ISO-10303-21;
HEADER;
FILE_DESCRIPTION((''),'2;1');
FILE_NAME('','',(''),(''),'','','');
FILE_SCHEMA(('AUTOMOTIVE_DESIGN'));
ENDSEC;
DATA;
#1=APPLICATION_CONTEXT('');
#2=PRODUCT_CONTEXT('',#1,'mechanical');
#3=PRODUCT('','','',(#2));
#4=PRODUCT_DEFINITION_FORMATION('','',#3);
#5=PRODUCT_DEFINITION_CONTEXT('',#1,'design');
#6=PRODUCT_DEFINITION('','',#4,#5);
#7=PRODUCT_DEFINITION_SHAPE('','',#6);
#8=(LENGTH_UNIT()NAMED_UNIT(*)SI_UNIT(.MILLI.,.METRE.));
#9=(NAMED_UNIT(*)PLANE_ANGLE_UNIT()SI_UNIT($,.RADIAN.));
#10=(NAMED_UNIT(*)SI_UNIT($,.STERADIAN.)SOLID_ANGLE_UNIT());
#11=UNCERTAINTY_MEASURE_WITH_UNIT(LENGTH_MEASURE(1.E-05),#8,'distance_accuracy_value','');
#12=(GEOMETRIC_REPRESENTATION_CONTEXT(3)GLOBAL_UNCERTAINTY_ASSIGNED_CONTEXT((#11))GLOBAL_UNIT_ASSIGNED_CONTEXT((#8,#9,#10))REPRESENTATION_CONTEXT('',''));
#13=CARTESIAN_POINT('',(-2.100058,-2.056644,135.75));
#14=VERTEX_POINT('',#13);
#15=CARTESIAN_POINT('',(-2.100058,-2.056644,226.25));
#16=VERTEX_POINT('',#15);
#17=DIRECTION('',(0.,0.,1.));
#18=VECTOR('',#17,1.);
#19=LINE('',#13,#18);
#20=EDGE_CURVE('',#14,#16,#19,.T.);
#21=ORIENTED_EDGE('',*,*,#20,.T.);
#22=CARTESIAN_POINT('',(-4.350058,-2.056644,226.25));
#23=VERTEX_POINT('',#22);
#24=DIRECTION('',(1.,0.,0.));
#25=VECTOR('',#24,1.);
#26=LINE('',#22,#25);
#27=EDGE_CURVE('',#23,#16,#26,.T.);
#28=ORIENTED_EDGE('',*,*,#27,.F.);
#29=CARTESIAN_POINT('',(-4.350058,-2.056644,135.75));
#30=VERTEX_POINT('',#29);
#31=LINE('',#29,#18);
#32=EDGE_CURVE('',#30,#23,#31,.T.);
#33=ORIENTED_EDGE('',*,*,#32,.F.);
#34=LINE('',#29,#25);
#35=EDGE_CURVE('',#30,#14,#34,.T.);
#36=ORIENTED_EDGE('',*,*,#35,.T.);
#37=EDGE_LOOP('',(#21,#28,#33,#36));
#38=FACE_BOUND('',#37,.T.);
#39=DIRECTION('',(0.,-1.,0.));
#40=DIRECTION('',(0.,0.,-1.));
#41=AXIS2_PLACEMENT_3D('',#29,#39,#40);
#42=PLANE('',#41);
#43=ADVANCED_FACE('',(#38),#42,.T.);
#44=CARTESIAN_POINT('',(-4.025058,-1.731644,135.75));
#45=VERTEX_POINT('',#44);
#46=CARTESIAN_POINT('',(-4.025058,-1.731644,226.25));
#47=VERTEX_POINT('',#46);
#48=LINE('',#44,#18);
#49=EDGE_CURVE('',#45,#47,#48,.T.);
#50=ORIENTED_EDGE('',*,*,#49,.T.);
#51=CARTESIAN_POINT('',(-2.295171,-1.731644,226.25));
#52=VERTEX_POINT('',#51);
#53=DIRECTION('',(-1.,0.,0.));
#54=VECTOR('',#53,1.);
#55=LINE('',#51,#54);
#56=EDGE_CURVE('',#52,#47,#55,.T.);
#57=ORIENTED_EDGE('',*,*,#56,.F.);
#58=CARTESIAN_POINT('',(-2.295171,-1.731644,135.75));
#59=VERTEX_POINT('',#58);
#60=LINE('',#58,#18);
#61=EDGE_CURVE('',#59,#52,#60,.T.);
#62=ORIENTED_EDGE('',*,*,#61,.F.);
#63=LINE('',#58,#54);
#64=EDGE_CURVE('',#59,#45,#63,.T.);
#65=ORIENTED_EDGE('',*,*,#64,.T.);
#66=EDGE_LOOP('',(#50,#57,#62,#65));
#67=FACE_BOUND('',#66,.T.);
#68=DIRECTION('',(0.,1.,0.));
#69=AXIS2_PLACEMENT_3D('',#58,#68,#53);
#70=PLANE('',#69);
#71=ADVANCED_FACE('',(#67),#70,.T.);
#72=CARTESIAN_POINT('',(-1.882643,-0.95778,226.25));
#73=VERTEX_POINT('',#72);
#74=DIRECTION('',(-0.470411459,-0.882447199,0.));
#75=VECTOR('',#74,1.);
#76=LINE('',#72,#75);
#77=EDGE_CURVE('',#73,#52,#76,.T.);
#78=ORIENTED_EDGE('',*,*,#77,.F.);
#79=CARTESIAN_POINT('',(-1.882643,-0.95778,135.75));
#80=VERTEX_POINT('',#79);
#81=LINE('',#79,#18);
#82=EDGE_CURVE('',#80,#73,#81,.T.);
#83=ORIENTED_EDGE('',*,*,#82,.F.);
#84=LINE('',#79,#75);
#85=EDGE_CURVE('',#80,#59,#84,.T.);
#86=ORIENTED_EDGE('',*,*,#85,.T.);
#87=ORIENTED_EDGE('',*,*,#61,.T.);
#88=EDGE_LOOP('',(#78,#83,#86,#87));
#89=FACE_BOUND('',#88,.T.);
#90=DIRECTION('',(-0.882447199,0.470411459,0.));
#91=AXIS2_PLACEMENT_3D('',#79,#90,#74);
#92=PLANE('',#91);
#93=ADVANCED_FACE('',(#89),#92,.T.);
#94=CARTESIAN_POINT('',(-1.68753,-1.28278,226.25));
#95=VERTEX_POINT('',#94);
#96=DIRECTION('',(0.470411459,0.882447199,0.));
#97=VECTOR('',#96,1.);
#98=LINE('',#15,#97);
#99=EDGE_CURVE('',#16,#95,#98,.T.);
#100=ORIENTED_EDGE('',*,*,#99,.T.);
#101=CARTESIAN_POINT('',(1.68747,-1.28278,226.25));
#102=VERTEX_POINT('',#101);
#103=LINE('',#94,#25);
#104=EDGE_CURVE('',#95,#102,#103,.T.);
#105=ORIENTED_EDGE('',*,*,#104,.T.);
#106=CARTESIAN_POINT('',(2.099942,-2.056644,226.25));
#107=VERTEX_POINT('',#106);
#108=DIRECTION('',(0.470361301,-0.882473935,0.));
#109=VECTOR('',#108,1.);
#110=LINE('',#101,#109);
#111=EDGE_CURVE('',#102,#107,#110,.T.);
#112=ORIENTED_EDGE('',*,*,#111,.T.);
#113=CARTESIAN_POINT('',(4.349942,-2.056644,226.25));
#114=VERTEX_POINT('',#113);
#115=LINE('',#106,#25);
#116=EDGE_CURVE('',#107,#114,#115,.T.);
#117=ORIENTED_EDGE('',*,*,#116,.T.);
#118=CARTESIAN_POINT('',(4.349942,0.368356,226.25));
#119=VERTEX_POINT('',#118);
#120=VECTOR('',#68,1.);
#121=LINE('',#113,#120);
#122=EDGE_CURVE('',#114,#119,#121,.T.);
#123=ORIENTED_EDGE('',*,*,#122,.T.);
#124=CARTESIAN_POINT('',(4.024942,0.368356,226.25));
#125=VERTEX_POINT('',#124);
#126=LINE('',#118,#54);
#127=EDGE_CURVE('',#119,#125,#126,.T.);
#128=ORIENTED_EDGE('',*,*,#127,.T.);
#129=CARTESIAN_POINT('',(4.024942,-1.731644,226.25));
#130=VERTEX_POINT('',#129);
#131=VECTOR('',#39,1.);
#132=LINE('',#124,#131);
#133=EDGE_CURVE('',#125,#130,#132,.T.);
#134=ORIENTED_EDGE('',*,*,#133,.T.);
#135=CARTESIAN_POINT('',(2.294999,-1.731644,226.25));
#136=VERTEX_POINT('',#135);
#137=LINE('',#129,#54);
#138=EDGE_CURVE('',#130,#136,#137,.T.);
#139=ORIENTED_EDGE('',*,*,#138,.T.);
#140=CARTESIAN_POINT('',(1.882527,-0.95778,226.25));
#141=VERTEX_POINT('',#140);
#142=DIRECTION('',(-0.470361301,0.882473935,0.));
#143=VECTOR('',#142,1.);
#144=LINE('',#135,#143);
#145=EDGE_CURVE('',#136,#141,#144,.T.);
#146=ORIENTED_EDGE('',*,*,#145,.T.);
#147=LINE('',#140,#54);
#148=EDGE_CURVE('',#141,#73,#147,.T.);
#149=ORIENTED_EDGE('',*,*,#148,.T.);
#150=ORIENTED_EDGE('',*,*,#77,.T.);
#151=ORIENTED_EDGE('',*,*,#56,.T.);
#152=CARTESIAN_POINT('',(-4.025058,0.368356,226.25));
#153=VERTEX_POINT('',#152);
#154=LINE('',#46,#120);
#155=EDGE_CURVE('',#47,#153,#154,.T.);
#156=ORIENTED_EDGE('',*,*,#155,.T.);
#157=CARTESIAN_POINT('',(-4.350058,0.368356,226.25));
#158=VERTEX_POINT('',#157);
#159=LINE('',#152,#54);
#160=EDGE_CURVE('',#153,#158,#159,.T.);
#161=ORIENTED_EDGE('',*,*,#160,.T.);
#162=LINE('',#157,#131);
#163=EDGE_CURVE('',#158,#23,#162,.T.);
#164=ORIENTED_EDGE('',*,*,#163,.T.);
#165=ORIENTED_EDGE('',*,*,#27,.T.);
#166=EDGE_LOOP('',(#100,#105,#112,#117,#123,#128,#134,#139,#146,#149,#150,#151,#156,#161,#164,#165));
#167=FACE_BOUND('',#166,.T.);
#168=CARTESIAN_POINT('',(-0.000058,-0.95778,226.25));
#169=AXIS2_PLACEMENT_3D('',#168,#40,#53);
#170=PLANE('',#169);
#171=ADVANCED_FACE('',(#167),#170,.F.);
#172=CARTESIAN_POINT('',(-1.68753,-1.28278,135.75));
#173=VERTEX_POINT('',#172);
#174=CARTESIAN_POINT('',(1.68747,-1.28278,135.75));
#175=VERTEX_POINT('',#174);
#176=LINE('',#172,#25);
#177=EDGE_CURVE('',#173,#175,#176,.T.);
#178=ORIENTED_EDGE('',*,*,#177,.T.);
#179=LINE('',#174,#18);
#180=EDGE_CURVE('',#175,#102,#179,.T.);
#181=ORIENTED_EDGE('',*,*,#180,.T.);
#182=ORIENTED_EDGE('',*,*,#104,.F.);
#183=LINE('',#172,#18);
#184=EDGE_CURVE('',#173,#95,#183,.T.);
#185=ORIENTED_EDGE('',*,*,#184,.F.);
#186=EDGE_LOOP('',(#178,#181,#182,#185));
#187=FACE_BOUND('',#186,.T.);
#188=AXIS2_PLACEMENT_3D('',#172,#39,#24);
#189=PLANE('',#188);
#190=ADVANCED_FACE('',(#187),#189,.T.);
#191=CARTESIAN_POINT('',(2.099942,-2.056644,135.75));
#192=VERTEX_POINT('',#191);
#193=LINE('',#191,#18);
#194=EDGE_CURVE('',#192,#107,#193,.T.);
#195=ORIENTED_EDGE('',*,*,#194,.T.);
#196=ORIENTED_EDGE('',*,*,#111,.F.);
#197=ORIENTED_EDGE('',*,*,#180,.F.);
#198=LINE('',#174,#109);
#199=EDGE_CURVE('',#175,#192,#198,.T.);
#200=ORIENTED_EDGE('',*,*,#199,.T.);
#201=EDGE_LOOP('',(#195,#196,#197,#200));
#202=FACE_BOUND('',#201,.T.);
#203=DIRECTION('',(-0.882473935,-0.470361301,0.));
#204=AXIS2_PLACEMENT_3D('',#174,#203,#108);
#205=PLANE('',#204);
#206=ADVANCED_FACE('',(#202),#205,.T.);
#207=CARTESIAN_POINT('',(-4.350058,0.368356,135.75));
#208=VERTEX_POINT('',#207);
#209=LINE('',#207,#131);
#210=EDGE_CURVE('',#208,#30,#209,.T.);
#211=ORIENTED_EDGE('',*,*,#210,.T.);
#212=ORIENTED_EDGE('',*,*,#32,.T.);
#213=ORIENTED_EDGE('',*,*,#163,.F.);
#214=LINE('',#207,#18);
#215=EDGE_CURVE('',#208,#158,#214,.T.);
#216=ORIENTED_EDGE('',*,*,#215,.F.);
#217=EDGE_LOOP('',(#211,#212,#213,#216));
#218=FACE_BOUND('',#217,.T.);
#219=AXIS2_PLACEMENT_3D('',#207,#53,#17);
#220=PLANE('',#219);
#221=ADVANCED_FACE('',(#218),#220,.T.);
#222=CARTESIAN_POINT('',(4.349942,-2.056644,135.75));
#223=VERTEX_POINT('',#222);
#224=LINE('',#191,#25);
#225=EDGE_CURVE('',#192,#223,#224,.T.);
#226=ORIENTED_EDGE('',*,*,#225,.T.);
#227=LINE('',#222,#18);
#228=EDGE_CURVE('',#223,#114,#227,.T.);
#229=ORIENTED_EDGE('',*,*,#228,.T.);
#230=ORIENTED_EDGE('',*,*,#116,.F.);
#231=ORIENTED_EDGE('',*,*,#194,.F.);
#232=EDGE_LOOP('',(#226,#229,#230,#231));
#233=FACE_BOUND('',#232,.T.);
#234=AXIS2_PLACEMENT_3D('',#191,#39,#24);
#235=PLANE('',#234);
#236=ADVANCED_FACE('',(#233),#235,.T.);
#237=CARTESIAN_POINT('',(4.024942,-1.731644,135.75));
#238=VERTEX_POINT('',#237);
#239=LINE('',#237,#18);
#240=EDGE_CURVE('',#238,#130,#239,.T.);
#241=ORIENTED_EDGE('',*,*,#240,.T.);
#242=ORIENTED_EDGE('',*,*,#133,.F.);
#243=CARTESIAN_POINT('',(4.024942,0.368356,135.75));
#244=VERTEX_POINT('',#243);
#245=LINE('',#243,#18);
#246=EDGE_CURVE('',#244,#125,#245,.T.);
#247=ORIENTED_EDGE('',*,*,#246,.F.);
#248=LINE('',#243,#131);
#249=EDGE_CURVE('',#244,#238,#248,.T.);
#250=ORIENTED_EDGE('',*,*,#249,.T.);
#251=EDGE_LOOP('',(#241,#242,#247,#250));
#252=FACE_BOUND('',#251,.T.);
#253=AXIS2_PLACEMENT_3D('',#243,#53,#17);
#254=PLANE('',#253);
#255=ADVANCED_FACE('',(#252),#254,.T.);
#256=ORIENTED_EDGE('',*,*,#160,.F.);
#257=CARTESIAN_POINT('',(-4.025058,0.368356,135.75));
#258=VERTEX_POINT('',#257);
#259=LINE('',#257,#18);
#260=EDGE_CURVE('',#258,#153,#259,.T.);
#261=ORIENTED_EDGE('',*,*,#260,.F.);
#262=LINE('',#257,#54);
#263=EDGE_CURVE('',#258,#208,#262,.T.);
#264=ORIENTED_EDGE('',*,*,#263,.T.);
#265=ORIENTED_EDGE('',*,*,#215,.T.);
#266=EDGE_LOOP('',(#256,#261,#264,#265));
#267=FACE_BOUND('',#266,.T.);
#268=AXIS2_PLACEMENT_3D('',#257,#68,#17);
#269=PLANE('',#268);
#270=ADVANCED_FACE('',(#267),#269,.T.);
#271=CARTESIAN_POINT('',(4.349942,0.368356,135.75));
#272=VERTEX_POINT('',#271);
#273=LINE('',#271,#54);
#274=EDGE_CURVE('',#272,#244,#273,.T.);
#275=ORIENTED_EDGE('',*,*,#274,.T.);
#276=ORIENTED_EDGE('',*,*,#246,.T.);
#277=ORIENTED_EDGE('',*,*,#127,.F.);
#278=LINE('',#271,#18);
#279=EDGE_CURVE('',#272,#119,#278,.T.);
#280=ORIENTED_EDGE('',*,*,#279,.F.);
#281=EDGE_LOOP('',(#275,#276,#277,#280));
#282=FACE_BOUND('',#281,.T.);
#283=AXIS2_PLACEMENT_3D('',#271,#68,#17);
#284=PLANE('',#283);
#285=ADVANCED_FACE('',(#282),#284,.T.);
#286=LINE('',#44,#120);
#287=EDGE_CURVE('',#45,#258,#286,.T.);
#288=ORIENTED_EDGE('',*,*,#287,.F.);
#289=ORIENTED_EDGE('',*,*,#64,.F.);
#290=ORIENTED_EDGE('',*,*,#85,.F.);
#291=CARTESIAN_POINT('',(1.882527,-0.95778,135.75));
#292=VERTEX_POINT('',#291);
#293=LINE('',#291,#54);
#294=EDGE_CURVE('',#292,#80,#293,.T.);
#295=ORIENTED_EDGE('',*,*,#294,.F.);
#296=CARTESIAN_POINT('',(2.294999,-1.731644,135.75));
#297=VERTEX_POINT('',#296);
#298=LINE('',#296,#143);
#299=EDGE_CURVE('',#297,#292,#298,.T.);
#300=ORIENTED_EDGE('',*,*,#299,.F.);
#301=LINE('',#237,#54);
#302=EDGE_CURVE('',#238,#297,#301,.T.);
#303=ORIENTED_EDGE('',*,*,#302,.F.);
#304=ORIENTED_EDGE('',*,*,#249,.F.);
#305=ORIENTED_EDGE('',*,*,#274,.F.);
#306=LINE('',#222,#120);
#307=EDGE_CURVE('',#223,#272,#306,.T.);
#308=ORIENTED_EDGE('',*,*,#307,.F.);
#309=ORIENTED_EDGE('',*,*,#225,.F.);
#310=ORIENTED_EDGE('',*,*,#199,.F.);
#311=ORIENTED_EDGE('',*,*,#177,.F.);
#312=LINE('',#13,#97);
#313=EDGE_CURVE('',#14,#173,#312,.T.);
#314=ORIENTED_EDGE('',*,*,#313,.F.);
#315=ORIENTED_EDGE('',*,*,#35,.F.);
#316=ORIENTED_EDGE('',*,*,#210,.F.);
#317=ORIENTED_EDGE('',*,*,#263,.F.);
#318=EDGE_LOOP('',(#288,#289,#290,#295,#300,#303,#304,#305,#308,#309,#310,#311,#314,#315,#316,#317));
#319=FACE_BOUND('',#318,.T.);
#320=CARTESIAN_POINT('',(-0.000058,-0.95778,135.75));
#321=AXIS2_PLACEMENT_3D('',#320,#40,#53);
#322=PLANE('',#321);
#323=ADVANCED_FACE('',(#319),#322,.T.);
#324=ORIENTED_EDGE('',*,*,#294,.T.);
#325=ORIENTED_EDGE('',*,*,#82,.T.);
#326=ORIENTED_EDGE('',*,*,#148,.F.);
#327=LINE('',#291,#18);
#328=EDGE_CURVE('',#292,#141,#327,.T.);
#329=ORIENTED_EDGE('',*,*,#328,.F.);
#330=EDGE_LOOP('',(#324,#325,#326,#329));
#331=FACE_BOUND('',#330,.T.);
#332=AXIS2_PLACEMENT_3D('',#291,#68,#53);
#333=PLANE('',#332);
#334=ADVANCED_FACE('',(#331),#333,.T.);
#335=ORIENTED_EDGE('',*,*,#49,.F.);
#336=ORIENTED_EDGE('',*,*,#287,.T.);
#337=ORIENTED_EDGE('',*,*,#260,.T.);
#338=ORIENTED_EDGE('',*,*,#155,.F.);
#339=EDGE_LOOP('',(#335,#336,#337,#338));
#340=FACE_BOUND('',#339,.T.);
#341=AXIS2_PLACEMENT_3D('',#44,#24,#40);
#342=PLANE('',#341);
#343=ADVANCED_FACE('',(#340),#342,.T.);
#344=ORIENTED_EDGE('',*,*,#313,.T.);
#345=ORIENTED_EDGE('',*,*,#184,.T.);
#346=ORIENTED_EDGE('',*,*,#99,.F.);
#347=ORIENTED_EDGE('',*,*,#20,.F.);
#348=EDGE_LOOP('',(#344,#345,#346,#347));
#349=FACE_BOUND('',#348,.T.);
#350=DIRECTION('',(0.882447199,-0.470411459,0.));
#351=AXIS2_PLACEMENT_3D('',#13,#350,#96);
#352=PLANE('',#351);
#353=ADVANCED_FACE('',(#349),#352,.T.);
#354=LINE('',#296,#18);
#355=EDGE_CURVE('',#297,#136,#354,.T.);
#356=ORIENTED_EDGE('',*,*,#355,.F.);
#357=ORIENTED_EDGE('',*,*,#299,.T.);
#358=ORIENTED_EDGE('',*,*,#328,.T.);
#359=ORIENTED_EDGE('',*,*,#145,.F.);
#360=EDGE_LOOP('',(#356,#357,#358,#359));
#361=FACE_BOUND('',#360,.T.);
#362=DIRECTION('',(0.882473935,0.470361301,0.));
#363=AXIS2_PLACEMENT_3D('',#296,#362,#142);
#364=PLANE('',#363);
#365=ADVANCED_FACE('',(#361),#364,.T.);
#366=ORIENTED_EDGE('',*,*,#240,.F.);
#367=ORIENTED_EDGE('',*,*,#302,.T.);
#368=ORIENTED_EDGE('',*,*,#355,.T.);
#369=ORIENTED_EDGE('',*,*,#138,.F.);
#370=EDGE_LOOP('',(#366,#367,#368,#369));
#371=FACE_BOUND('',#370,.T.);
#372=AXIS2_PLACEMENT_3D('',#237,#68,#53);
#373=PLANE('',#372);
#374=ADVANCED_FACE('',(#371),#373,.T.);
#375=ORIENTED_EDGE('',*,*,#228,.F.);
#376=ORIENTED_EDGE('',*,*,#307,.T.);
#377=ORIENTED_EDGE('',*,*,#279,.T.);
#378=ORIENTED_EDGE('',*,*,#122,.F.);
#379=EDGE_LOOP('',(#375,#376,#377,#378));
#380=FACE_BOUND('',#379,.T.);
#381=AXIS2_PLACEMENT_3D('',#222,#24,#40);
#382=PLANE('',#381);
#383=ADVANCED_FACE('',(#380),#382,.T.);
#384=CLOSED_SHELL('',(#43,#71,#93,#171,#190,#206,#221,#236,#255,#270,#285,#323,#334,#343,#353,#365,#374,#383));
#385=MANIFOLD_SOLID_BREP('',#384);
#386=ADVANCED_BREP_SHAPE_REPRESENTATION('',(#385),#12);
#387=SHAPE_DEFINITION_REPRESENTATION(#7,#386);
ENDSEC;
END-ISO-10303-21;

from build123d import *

# Parameters (mm, degrees)
BOSS_EXTRUDE1_DEPTH = 362
SCALE1_SCALE        = 0.25


with BuildPart() as part:
    # Sketch1 → Boss-Extrude1 (new body)
    with BuildSketch(Plane.XY.offset(362)):
        Polygon((-9.180453293, -3.095455134), (-16.1, -3.095455134), (-16.1, 5.304544866), (-17.4, 5.304544866), (-17.4, -4.395455134), (-8.4, -4.395455134), (-6.749887033, -1.3), (6.750112967, -1.3), (8.4, -4.395455134), (17.4, -4.395455134), (17.4, 5.304544866), (16.1, 5.304544866), (16.1, -3.095455134), (9.18022736, -3.095455134), (7.530340327, 0), (-7.530340327, 0), align=None)
    extrude(amount=-BOSS_EXTRUDE1_DEPTH)


with BuildPart() as part_1:
    # Scale1: scaled about (-7.7465e-05, -1.277039924, 181)
    add(part.part.scale(SCALE1_SCALE).moved(Location((-5.8099e-05, -0.957779943, 135.75))))


solid = part_1.part
